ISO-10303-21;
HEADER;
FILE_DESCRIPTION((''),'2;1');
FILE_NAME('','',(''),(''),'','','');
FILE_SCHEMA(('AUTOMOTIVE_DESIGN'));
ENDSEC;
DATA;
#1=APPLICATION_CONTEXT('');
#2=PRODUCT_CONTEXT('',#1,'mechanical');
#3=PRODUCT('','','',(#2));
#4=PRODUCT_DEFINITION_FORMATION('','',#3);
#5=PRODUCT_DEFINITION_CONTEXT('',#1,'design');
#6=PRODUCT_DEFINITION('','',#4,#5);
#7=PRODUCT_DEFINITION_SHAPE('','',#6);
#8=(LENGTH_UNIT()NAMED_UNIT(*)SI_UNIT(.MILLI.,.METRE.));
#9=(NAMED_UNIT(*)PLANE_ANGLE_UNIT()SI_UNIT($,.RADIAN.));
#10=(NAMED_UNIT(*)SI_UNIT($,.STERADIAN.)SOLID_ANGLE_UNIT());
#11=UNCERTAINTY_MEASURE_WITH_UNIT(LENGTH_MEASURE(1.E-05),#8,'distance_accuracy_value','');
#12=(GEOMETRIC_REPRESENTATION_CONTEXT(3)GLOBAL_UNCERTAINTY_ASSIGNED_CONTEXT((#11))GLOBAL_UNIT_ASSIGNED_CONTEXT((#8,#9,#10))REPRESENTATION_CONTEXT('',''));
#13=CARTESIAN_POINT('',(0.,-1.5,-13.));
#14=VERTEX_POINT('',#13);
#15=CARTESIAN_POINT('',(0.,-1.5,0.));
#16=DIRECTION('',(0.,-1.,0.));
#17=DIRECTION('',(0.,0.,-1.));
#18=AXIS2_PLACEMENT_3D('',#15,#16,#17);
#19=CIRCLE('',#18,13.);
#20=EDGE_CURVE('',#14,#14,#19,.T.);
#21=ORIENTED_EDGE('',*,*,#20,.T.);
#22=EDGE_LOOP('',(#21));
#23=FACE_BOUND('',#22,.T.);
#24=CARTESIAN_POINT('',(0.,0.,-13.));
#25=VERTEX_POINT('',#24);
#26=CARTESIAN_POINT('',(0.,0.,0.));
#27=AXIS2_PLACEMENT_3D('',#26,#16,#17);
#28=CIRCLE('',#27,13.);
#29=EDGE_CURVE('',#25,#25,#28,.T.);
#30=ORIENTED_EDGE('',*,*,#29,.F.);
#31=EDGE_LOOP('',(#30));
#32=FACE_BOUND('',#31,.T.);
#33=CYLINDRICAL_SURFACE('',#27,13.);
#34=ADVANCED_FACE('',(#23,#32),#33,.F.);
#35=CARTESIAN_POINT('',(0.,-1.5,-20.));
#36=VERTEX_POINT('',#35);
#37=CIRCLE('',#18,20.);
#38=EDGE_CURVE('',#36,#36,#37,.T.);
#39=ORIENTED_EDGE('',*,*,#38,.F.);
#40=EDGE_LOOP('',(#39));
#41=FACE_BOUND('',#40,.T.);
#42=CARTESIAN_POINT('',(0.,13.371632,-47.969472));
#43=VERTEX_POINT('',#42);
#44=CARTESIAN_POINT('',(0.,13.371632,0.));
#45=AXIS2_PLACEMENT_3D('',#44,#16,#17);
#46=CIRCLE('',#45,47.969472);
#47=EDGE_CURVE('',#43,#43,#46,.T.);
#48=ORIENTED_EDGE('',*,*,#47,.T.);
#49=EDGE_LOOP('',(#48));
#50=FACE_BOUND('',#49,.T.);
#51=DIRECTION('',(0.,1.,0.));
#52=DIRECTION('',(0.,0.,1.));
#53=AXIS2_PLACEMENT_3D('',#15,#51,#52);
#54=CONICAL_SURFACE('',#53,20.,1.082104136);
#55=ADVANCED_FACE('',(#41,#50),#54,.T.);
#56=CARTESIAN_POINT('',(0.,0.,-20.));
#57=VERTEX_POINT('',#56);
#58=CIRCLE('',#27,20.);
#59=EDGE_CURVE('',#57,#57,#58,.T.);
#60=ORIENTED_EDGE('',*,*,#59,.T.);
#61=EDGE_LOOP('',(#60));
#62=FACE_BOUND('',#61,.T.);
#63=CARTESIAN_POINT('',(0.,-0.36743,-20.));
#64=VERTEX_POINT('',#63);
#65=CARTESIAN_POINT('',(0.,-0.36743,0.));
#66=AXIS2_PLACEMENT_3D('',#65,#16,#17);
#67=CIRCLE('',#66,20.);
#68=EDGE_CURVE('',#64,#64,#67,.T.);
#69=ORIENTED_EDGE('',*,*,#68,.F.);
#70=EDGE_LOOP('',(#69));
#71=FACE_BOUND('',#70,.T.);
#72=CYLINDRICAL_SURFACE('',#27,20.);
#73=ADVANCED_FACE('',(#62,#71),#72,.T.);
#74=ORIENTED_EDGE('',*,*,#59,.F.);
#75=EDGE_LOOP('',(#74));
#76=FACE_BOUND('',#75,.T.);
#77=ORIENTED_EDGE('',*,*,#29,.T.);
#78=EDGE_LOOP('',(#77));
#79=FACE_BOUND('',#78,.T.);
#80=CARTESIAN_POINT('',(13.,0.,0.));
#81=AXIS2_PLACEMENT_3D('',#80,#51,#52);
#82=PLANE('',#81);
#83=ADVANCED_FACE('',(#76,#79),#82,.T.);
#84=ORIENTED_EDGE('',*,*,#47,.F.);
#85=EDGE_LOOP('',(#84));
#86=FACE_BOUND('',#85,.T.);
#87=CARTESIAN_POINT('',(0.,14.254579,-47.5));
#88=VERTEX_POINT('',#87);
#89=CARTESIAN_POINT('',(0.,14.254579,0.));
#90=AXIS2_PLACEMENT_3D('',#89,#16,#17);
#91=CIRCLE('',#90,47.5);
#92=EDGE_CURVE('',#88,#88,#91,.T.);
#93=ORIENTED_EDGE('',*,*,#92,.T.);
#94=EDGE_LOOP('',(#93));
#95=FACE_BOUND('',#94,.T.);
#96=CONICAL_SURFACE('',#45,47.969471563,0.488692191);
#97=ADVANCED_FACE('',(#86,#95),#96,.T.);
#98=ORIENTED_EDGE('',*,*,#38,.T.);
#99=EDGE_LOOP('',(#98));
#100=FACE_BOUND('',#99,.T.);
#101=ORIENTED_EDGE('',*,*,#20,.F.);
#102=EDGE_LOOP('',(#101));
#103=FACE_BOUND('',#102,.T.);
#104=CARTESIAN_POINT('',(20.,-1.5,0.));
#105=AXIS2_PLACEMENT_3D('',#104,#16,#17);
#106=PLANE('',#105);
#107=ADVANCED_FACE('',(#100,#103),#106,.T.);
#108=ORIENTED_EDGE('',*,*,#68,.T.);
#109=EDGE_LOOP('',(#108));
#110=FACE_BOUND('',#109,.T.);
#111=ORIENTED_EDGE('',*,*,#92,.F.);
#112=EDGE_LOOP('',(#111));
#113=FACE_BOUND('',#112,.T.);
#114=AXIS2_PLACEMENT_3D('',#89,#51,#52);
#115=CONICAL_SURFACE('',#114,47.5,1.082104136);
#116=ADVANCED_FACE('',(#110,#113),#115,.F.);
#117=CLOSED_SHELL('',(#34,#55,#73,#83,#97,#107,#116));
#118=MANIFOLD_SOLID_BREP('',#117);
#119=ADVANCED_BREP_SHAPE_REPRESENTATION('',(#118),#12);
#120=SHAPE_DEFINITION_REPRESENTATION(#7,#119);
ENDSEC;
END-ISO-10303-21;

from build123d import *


with BuildPart() as part:
    # Эскиз1 → Повернуть1 (revolve)
    with BuildSketch(Plane.XY, mode=Mode.PRIVATE) as revolve_1_sk:
        Polygon((20, -0.367429949), (47.5, 14.254579421), (47.969471563, 13.371631829), (20, -1.5), (13, -1.5), (13, 0), (20, 0), align=None)
    revolve(revolve_1_sk.sketch.rotate(Axis((0, 0, 0), (0, 1, 0)), 90), axis=Axis((0, 0, 0), (0, 1, 0)))


solid = part.part
